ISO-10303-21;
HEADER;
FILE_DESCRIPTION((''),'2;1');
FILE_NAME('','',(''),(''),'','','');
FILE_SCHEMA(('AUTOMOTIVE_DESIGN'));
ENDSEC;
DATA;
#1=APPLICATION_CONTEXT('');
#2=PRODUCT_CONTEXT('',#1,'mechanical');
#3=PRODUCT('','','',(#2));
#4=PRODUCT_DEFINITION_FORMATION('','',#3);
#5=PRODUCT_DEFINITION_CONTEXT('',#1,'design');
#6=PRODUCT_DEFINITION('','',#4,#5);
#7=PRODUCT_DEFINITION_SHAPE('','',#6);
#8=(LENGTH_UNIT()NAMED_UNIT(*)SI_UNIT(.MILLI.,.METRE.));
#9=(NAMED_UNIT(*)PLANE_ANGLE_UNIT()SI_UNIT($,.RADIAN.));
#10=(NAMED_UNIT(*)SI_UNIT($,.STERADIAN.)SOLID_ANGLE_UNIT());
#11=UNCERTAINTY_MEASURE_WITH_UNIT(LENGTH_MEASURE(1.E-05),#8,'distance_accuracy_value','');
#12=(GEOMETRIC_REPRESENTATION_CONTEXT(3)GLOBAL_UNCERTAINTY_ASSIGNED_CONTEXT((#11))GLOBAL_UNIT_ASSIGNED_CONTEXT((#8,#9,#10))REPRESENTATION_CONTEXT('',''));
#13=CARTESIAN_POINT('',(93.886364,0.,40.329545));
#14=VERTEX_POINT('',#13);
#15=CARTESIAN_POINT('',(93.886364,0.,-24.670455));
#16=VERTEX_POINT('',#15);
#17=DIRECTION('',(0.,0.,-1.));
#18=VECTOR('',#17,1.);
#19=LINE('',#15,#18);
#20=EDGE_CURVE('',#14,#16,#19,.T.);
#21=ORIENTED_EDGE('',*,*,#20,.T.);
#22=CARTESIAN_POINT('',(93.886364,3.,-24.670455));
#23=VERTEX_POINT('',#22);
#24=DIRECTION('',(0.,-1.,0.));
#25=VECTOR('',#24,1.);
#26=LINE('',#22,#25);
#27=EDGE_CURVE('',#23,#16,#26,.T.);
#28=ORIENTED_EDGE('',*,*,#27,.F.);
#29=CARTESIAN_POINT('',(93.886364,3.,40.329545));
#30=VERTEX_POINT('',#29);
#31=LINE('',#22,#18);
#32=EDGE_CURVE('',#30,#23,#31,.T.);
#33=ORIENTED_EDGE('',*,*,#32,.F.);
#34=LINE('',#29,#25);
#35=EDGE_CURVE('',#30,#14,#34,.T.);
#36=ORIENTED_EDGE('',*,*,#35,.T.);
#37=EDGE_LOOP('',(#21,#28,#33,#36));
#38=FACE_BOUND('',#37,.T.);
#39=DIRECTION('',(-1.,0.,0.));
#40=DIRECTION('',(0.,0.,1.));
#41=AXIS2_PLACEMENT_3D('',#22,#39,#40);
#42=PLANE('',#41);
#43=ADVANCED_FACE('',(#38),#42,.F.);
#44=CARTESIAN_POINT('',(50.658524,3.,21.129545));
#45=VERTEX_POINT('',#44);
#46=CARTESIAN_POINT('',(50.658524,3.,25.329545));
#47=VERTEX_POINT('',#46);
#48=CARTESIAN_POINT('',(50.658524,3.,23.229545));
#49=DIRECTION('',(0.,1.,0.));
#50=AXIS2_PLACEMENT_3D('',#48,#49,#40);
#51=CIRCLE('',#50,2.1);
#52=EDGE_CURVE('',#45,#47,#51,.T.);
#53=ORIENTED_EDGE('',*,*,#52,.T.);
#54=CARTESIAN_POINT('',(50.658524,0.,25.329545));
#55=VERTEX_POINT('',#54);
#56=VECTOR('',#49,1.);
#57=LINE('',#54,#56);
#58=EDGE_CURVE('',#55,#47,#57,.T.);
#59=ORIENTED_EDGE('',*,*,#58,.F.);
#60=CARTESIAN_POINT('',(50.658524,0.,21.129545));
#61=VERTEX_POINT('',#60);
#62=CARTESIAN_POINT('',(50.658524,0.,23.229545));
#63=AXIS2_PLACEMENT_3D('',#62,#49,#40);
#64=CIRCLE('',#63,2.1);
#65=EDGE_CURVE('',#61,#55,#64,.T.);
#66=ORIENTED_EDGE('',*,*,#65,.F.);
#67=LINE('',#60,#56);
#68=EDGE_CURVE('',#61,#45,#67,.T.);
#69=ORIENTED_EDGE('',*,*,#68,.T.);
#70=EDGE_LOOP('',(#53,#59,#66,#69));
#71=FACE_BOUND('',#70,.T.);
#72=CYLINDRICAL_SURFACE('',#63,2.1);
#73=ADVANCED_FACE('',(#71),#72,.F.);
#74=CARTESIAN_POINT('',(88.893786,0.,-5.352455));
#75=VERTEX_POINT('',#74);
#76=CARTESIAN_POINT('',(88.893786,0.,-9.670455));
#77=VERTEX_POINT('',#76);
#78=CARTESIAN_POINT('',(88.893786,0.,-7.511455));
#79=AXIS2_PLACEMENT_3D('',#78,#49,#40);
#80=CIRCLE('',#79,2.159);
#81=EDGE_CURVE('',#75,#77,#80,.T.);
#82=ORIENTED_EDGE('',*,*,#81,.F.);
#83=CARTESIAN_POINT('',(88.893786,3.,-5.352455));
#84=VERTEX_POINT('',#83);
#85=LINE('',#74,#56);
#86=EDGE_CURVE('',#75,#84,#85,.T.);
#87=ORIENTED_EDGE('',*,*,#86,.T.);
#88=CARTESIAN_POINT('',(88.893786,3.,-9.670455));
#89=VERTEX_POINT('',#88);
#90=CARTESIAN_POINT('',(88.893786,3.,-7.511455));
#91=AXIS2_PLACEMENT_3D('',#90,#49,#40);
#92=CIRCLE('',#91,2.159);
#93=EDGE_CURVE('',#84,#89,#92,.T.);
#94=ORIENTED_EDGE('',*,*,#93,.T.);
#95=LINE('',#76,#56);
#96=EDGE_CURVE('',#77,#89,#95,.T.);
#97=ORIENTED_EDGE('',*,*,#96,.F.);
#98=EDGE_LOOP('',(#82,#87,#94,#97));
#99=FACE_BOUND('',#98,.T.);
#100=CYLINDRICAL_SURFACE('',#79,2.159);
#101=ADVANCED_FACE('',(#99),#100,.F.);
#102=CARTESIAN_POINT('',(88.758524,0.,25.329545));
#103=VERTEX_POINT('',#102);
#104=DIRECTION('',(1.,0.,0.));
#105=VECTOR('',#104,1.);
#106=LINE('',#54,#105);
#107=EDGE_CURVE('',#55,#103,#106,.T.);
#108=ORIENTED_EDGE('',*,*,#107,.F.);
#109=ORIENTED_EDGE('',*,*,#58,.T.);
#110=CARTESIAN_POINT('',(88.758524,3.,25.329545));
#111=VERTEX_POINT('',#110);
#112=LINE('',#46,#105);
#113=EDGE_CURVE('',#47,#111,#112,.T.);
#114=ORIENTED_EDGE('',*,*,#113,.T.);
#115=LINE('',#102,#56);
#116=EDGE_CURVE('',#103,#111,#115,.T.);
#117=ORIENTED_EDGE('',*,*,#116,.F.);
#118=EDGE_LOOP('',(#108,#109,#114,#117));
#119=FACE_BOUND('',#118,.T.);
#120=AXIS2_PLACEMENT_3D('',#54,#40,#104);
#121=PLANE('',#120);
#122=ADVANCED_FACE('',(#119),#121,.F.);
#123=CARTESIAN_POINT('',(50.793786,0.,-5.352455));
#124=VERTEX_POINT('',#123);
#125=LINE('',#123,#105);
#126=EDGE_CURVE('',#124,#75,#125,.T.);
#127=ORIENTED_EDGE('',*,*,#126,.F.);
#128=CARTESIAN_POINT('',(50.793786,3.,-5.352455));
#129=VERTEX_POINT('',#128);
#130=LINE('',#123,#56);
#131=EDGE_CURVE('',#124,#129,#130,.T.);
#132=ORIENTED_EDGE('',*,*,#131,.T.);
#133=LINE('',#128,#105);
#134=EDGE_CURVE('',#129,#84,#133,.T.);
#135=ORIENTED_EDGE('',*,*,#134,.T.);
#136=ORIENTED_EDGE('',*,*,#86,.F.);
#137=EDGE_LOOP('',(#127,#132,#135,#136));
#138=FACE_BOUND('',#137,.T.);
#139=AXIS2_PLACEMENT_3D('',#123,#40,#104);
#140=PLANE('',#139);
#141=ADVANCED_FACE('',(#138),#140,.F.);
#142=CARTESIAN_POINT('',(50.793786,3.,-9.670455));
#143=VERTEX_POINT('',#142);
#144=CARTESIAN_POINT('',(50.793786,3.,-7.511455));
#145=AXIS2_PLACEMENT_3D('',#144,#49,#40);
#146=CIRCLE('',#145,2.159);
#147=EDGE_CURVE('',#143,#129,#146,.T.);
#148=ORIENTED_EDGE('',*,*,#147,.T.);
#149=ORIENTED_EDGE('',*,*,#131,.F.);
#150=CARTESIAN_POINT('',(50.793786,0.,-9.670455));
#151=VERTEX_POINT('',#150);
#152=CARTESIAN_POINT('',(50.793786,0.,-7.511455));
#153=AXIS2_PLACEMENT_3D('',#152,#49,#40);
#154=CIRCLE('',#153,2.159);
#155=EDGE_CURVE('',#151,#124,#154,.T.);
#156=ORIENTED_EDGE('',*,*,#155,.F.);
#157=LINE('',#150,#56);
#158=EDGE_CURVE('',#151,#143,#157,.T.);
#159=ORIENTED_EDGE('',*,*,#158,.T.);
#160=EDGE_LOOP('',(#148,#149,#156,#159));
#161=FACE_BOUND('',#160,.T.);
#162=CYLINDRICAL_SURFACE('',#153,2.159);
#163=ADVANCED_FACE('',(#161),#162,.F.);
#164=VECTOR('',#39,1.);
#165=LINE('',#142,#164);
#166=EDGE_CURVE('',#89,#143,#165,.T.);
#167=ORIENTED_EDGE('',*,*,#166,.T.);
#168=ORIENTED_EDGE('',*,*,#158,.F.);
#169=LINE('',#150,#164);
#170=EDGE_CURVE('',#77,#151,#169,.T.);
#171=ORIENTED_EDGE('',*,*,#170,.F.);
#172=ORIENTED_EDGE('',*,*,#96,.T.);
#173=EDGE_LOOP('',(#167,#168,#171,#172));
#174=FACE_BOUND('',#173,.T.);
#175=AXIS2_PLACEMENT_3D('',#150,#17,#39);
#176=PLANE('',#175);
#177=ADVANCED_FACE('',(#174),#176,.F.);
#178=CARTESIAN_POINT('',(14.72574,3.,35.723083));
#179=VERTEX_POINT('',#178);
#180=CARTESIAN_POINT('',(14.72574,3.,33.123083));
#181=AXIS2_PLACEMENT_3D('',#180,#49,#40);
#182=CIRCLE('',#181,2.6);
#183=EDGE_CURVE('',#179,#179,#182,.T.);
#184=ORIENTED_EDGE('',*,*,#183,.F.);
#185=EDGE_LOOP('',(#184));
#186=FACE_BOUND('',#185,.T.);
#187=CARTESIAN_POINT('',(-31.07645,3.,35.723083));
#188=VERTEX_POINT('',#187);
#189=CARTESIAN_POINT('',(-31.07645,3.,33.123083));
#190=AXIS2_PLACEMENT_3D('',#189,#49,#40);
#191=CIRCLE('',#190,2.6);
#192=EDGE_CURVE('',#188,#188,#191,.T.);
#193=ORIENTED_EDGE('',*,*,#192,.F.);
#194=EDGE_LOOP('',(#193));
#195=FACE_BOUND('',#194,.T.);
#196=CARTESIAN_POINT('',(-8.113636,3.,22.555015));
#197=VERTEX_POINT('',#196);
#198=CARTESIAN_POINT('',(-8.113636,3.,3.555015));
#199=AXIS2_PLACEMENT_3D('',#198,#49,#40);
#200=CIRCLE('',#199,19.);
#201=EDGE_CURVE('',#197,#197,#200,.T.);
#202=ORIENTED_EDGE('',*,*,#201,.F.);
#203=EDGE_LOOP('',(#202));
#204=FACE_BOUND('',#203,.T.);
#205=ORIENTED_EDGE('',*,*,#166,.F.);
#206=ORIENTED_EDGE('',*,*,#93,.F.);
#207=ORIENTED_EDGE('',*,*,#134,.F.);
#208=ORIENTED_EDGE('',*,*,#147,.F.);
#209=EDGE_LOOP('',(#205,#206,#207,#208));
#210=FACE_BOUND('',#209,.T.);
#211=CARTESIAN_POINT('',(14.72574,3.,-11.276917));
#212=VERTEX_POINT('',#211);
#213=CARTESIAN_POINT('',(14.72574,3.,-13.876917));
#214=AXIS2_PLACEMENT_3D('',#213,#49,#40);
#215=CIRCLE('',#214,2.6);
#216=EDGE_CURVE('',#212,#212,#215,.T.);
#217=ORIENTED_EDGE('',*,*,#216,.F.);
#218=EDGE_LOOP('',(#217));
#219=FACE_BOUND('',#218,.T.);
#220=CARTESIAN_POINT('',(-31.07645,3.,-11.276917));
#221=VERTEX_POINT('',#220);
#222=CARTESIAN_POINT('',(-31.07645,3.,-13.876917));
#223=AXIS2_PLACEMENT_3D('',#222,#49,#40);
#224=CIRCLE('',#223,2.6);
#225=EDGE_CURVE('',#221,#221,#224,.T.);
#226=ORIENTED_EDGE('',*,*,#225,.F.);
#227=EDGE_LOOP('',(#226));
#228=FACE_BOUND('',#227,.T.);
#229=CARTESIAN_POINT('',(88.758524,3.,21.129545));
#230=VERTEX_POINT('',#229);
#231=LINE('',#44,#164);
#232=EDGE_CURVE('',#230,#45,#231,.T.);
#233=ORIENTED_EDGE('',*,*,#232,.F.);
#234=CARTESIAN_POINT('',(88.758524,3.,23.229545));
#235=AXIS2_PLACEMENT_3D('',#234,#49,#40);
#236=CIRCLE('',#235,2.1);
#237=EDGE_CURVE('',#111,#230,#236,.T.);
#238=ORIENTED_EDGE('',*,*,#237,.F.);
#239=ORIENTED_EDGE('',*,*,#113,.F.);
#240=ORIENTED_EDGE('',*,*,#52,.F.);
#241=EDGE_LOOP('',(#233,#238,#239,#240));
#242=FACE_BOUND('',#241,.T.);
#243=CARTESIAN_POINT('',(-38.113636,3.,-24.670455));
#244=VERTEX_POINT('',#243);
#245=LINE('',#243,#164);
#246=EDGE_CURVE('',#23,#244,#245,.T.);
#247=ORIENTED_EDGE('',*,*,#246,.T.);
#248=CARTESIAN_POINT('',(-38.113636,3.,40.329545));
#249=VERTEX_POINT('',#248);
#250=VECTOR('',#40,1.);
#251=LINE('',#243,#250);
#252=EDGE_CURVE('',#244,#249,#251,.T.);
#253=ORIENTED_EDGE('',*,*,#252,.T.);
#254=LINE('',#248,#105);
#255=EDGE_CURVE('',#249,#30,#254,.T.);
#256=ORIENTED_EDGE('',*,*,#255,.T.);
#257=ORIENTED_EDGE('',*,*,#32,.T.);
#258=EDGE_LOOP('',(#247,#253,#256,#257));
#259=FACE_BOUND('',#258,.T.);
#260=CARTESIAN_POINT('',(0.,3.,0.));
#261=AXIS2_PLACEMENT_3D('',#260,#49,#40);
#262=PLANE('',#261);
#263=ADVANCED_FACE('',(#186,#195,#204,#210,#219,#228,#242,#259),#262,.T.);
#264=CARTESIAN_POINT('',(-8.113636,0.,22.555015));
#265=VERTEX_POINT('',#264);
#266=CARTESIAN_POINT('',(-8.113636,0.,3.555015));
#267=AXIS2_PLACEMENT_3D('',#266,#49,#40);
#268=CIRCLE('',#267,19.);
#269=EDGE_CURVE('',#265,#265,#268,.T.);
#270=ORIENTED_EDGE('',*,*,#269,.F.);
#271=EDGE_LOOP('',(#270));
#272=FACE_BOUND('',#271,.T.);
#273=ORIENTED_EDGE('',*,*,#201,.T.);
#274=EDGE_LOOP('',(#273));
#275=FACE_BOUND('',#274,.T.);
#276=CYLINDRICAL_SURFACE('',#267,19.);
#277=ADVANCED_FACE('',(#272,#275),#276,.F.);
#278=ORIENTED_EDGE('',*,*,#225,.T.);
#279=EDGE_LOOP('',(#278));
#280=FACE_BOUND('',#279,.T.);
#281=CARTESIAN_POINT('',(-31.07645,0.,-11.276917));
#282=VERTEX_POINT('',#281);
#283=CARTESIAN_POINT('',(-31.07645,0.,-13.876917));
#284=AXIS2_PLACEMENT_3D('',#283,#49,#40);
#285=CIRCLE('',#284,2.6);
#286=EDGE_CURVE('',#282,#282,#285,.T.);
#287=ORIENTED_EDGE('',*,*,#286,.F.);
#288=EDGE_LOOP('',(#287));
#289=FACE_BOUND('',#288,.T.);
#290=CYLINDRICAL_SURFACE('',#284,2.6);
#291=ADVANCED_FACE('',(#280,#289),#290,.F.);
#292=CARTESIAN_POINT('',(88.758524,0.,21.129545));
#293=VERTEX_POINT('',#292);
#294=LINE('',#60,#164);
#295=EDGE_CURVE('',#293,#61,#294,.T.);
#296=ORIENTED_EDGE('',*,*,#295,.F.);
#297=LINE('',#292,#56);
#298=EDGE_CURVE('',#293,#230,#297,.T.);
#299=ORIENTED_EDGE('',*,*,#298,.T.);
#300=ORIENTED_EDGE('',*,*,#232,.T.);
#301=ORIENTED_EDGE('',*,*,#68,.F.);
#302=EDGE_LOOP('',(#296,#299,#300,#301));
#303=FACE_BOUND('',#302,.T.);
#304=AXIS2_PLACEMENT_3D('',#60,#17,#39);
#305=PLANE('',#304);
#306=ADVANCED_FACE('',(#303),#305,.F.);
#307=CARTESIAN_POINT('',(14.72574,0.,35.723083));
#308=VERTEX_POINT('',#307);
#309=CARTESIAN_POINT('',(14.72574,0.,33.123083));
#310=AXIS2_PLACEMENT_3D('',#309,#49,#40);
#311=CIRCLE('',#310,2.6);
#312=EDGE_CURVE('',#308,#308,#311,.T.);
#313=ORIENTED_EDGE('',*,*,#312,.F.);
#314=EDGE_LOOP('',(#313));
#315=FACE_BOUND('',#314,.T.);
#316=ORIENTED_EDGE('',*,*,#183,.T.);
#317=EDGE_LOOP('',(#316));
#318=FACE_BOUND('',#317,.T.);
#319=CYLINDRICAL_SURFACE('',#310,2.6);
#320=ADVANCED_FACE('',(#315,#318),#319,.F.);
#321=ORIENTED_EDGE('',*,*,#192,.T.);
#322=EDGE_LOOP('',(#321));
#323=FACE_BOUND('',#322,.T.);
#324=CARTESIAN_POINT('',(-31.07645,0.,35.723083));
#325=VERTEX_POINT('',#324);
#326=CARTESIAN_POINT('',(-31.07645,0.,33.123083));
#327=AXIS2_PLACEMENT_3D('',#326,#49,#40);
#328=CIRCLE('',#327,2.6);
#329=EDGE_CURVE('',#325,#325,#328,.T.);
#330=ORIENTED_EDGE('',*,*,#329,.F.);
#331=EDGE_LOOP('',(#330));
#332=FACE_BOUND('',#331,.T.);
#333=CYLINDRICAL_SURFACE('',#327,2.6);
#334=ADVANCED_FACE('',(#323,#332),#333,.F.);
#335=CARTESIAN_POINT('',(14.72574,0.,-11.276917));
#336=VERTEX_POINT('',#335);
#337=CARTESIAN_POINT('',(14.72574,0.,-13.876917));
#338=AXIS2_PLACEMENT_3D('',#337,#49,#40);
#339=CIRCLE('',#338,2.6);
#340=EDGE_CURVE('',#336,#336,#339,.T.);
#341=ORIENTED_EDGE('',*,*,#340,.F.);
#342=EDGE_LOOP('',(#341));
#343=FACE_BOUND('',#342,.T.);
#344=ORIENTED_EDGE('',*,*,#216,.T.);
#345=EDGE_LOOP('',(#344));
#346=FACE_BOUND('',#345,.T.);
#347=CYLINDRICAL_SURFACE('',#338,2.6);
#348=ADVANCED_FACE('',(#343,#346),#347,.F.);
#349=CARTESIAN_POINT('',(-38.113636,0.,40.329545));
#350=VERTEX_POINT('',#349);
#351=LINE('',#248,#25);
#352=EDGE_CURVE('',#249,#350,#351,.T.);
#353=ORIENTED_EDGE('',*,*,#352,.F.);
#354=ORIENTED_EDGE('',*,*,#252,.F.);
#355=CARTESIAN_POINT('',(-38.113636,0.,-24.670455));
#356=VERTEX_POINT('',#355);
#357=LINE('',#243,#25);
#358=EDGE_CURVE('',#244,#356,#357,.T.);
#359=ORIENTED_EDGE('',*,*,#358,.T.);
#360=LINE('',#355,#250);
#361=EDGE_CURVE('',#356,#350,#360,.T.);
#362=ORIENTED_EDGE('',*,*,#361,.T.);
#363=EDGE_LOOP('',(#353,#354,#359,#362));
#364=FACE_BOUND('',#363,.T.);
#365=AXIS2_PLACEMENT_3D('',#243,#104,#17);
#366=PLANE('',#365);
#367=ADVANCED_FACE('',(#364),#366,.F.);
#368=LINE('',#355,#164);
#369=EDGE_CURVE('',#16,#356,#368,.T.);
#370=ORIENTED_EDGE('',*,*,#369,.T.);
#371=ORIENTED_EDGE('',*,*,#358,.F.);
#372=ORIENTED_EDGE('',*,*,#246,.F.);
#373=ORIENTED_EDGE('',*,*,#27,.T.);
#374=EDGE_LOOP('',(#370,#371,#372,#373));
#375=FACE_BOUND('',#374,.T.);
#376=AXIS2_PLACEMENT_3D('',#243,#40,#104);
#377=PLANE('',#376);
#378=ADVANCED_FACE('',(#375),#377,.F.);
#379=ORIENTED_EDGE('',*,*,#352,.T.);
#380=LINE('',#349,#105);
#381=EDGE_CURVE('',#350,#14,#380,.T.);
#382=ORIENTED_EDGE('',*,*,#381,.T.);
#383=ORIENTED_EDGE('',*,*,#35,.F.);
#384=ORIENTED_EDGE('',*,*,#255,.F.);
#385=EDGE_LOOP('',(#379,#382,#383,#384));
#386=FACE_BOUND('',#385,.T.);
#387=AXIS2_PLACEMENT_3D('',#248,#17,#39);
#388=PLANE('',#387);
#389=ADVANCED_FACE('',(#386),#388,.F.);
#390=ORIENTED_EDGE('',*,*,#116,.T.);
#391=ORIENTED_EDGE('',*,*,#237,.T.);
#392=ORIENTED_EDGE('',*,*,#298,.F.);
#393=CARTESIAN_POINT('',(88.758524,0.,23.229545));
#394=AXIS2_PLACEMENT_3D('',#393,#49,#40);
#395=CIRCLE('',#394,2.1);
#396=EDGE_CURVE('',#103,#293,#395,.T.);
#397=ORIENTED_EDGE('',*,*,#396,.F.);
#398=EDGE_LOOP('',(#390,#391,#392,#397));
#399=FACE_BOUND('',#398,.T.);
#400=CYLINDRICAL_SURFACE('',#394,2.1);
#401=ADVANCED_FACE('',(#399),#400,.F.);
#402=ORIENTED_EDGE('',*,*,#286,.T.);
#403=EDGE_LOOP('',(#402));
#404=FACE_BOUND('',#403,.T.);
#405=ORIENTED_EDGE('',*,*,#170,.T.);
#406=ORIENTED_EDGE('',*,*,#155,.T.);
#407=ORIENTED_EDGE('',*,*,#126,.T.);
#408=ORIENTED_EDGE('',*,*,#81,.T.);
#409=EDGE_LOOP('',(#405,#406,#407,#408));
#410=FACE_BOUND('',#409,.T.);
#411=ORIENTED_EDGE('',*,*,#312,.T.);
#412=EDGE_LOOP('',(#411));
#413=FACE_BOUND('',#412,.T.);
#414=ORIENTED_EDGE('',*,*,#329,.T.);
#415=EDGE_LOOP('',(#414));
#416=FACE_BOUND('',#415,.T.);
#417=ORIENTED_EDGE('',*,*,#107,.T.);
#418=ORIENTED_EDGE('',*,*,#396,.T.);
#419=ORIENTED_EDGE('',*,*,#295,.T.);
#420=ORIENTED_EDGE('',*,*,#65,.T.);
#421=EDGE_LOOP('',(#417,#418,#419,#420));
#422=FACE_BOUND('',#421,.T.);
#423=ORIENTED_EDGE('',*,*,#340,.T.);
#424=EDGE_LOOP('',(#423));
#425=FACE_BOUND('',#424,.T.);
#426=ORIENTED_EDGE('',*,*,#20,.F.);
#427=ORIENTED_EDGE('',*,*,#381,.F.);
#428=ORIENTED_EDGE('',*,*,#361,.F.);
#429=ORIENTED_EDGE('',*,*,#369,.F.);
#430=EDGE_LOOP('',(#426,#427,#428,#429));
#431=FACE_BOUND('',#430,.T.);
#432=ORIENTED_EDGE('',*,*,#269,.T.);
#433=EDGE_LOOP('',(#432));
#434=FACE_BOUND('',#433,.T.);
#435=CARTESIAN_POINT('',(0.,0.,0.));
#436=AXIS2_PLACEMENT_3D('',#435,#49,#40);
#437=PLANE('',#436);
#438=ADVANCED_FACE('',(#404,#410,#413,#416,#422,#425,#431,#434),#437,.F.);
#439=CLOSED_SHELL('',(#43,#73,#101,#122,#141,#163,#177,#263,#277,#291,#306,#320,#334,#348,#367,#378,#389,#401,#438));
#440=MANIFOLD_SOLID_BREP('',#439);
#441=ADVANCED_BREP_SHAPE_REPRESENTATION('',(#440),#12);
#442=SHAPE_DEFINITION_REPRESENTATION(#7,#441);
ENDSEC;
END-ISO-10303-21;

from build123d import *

# Parameters (mm, degrees)
SKETCH1_W           = 132
SKETCH1_H           = 65
BOSS_EXTRUDE1_DEPTH = 3
SKETCH2_R           = 19
SKETCH2_R_2         = 2.6
CUT_EXTRUDE3_DEPTH  = 3
CUT_EXTRUDE5_DEPTH  = 3


with BuildPart() as part:
    # Sketch1 → Boss-Extrude1 (new body)
    with BuildSketch(Plane(origin=(0, 0, 0), x_dir=(1, 0, 0), z_dir=(0, 1, 0))):
        with Locations((27.886363636, -7.829545455)):
            Rectangle(SKETCH1_W, SKETCH1_H)
    extrude(amount=BOSS_EXTRUDE1_DEPTH)

    # Sketch2 → Cut-Extrude3 (cut)
    with BuildSketch(Plane(origin=(0, 3, 0), x_dir=(1, 0, 0), z_dir=(0, 1, 0))):
        with Locations(Location((-8.113636364, -3.555015025, 0), (0, 0, 270))):
            Circle(SKETCH2_R)
        with Locations(Location((-31.076450467, 13.876917129, 0), (0, 0, 270))):
            Circle(SKETCH2_R_2)
        with Locations(Location((-31.076450467, -33.123082871, 0), (0, 0, 270))):
            Circle(SKETCH2_R_2)
        with Locations(Location((14.725739937, 13.876917129, 0), (0, 0, 270))):
            Circle(SKETCH2_R_2)
        with Locations(Location((14.725739937, -33.123082871, 0), (0, 0, 270))):
            Circle(SKETCH2_R_2)
    extrude(amount=-CUT_EXTRUDE3_DEPTH, mode=Mode.SUBTRACT)

    # Sketch5 → Cut-Extrude5 (cut)
    with BuildSketch(Plane(origin=(0, 3, 0), x_dir=(1, 0, 0), z_dir=(0, 1, 0))):
        with BuildLine():
            Line((50.793786384, 9.670454545), (88.893786384, 9.670454545))
            ThreePointArc((88.893786384, 9.670454545), (91.052786384, 7.511454545), (88.893786384, 5.352454545))
            Line((88.893786384, 5.352454545), (50.793786384, 5.352454545))
            ThreePointArc((50.793786384, 5.352454545), (48.634786384, 7.511454545), (50.793786384, 9.670454545))
        make_face()
        with BuildLine():
            Line((50.658524024, -21.129545455), (88.758524024, -21.129545455))
            ThreePointArc((88.758524024, -21.129545455), (90.858524024, -23.229545455), (88.758524024, -25.329545455))
            Line((88.758524024, -25.329545455), (50.658524024, -25.329545455))
            ThreePointArc((50.658524024, -25.329545455), (48.558524024, -23.229545455), (50.658524024, -21.129545455))
        make_face()
    extrude(amount=-CUT_EXTRUDE5_DEPTH, mode=Mode.SUBTRACT)


solid = part.part
